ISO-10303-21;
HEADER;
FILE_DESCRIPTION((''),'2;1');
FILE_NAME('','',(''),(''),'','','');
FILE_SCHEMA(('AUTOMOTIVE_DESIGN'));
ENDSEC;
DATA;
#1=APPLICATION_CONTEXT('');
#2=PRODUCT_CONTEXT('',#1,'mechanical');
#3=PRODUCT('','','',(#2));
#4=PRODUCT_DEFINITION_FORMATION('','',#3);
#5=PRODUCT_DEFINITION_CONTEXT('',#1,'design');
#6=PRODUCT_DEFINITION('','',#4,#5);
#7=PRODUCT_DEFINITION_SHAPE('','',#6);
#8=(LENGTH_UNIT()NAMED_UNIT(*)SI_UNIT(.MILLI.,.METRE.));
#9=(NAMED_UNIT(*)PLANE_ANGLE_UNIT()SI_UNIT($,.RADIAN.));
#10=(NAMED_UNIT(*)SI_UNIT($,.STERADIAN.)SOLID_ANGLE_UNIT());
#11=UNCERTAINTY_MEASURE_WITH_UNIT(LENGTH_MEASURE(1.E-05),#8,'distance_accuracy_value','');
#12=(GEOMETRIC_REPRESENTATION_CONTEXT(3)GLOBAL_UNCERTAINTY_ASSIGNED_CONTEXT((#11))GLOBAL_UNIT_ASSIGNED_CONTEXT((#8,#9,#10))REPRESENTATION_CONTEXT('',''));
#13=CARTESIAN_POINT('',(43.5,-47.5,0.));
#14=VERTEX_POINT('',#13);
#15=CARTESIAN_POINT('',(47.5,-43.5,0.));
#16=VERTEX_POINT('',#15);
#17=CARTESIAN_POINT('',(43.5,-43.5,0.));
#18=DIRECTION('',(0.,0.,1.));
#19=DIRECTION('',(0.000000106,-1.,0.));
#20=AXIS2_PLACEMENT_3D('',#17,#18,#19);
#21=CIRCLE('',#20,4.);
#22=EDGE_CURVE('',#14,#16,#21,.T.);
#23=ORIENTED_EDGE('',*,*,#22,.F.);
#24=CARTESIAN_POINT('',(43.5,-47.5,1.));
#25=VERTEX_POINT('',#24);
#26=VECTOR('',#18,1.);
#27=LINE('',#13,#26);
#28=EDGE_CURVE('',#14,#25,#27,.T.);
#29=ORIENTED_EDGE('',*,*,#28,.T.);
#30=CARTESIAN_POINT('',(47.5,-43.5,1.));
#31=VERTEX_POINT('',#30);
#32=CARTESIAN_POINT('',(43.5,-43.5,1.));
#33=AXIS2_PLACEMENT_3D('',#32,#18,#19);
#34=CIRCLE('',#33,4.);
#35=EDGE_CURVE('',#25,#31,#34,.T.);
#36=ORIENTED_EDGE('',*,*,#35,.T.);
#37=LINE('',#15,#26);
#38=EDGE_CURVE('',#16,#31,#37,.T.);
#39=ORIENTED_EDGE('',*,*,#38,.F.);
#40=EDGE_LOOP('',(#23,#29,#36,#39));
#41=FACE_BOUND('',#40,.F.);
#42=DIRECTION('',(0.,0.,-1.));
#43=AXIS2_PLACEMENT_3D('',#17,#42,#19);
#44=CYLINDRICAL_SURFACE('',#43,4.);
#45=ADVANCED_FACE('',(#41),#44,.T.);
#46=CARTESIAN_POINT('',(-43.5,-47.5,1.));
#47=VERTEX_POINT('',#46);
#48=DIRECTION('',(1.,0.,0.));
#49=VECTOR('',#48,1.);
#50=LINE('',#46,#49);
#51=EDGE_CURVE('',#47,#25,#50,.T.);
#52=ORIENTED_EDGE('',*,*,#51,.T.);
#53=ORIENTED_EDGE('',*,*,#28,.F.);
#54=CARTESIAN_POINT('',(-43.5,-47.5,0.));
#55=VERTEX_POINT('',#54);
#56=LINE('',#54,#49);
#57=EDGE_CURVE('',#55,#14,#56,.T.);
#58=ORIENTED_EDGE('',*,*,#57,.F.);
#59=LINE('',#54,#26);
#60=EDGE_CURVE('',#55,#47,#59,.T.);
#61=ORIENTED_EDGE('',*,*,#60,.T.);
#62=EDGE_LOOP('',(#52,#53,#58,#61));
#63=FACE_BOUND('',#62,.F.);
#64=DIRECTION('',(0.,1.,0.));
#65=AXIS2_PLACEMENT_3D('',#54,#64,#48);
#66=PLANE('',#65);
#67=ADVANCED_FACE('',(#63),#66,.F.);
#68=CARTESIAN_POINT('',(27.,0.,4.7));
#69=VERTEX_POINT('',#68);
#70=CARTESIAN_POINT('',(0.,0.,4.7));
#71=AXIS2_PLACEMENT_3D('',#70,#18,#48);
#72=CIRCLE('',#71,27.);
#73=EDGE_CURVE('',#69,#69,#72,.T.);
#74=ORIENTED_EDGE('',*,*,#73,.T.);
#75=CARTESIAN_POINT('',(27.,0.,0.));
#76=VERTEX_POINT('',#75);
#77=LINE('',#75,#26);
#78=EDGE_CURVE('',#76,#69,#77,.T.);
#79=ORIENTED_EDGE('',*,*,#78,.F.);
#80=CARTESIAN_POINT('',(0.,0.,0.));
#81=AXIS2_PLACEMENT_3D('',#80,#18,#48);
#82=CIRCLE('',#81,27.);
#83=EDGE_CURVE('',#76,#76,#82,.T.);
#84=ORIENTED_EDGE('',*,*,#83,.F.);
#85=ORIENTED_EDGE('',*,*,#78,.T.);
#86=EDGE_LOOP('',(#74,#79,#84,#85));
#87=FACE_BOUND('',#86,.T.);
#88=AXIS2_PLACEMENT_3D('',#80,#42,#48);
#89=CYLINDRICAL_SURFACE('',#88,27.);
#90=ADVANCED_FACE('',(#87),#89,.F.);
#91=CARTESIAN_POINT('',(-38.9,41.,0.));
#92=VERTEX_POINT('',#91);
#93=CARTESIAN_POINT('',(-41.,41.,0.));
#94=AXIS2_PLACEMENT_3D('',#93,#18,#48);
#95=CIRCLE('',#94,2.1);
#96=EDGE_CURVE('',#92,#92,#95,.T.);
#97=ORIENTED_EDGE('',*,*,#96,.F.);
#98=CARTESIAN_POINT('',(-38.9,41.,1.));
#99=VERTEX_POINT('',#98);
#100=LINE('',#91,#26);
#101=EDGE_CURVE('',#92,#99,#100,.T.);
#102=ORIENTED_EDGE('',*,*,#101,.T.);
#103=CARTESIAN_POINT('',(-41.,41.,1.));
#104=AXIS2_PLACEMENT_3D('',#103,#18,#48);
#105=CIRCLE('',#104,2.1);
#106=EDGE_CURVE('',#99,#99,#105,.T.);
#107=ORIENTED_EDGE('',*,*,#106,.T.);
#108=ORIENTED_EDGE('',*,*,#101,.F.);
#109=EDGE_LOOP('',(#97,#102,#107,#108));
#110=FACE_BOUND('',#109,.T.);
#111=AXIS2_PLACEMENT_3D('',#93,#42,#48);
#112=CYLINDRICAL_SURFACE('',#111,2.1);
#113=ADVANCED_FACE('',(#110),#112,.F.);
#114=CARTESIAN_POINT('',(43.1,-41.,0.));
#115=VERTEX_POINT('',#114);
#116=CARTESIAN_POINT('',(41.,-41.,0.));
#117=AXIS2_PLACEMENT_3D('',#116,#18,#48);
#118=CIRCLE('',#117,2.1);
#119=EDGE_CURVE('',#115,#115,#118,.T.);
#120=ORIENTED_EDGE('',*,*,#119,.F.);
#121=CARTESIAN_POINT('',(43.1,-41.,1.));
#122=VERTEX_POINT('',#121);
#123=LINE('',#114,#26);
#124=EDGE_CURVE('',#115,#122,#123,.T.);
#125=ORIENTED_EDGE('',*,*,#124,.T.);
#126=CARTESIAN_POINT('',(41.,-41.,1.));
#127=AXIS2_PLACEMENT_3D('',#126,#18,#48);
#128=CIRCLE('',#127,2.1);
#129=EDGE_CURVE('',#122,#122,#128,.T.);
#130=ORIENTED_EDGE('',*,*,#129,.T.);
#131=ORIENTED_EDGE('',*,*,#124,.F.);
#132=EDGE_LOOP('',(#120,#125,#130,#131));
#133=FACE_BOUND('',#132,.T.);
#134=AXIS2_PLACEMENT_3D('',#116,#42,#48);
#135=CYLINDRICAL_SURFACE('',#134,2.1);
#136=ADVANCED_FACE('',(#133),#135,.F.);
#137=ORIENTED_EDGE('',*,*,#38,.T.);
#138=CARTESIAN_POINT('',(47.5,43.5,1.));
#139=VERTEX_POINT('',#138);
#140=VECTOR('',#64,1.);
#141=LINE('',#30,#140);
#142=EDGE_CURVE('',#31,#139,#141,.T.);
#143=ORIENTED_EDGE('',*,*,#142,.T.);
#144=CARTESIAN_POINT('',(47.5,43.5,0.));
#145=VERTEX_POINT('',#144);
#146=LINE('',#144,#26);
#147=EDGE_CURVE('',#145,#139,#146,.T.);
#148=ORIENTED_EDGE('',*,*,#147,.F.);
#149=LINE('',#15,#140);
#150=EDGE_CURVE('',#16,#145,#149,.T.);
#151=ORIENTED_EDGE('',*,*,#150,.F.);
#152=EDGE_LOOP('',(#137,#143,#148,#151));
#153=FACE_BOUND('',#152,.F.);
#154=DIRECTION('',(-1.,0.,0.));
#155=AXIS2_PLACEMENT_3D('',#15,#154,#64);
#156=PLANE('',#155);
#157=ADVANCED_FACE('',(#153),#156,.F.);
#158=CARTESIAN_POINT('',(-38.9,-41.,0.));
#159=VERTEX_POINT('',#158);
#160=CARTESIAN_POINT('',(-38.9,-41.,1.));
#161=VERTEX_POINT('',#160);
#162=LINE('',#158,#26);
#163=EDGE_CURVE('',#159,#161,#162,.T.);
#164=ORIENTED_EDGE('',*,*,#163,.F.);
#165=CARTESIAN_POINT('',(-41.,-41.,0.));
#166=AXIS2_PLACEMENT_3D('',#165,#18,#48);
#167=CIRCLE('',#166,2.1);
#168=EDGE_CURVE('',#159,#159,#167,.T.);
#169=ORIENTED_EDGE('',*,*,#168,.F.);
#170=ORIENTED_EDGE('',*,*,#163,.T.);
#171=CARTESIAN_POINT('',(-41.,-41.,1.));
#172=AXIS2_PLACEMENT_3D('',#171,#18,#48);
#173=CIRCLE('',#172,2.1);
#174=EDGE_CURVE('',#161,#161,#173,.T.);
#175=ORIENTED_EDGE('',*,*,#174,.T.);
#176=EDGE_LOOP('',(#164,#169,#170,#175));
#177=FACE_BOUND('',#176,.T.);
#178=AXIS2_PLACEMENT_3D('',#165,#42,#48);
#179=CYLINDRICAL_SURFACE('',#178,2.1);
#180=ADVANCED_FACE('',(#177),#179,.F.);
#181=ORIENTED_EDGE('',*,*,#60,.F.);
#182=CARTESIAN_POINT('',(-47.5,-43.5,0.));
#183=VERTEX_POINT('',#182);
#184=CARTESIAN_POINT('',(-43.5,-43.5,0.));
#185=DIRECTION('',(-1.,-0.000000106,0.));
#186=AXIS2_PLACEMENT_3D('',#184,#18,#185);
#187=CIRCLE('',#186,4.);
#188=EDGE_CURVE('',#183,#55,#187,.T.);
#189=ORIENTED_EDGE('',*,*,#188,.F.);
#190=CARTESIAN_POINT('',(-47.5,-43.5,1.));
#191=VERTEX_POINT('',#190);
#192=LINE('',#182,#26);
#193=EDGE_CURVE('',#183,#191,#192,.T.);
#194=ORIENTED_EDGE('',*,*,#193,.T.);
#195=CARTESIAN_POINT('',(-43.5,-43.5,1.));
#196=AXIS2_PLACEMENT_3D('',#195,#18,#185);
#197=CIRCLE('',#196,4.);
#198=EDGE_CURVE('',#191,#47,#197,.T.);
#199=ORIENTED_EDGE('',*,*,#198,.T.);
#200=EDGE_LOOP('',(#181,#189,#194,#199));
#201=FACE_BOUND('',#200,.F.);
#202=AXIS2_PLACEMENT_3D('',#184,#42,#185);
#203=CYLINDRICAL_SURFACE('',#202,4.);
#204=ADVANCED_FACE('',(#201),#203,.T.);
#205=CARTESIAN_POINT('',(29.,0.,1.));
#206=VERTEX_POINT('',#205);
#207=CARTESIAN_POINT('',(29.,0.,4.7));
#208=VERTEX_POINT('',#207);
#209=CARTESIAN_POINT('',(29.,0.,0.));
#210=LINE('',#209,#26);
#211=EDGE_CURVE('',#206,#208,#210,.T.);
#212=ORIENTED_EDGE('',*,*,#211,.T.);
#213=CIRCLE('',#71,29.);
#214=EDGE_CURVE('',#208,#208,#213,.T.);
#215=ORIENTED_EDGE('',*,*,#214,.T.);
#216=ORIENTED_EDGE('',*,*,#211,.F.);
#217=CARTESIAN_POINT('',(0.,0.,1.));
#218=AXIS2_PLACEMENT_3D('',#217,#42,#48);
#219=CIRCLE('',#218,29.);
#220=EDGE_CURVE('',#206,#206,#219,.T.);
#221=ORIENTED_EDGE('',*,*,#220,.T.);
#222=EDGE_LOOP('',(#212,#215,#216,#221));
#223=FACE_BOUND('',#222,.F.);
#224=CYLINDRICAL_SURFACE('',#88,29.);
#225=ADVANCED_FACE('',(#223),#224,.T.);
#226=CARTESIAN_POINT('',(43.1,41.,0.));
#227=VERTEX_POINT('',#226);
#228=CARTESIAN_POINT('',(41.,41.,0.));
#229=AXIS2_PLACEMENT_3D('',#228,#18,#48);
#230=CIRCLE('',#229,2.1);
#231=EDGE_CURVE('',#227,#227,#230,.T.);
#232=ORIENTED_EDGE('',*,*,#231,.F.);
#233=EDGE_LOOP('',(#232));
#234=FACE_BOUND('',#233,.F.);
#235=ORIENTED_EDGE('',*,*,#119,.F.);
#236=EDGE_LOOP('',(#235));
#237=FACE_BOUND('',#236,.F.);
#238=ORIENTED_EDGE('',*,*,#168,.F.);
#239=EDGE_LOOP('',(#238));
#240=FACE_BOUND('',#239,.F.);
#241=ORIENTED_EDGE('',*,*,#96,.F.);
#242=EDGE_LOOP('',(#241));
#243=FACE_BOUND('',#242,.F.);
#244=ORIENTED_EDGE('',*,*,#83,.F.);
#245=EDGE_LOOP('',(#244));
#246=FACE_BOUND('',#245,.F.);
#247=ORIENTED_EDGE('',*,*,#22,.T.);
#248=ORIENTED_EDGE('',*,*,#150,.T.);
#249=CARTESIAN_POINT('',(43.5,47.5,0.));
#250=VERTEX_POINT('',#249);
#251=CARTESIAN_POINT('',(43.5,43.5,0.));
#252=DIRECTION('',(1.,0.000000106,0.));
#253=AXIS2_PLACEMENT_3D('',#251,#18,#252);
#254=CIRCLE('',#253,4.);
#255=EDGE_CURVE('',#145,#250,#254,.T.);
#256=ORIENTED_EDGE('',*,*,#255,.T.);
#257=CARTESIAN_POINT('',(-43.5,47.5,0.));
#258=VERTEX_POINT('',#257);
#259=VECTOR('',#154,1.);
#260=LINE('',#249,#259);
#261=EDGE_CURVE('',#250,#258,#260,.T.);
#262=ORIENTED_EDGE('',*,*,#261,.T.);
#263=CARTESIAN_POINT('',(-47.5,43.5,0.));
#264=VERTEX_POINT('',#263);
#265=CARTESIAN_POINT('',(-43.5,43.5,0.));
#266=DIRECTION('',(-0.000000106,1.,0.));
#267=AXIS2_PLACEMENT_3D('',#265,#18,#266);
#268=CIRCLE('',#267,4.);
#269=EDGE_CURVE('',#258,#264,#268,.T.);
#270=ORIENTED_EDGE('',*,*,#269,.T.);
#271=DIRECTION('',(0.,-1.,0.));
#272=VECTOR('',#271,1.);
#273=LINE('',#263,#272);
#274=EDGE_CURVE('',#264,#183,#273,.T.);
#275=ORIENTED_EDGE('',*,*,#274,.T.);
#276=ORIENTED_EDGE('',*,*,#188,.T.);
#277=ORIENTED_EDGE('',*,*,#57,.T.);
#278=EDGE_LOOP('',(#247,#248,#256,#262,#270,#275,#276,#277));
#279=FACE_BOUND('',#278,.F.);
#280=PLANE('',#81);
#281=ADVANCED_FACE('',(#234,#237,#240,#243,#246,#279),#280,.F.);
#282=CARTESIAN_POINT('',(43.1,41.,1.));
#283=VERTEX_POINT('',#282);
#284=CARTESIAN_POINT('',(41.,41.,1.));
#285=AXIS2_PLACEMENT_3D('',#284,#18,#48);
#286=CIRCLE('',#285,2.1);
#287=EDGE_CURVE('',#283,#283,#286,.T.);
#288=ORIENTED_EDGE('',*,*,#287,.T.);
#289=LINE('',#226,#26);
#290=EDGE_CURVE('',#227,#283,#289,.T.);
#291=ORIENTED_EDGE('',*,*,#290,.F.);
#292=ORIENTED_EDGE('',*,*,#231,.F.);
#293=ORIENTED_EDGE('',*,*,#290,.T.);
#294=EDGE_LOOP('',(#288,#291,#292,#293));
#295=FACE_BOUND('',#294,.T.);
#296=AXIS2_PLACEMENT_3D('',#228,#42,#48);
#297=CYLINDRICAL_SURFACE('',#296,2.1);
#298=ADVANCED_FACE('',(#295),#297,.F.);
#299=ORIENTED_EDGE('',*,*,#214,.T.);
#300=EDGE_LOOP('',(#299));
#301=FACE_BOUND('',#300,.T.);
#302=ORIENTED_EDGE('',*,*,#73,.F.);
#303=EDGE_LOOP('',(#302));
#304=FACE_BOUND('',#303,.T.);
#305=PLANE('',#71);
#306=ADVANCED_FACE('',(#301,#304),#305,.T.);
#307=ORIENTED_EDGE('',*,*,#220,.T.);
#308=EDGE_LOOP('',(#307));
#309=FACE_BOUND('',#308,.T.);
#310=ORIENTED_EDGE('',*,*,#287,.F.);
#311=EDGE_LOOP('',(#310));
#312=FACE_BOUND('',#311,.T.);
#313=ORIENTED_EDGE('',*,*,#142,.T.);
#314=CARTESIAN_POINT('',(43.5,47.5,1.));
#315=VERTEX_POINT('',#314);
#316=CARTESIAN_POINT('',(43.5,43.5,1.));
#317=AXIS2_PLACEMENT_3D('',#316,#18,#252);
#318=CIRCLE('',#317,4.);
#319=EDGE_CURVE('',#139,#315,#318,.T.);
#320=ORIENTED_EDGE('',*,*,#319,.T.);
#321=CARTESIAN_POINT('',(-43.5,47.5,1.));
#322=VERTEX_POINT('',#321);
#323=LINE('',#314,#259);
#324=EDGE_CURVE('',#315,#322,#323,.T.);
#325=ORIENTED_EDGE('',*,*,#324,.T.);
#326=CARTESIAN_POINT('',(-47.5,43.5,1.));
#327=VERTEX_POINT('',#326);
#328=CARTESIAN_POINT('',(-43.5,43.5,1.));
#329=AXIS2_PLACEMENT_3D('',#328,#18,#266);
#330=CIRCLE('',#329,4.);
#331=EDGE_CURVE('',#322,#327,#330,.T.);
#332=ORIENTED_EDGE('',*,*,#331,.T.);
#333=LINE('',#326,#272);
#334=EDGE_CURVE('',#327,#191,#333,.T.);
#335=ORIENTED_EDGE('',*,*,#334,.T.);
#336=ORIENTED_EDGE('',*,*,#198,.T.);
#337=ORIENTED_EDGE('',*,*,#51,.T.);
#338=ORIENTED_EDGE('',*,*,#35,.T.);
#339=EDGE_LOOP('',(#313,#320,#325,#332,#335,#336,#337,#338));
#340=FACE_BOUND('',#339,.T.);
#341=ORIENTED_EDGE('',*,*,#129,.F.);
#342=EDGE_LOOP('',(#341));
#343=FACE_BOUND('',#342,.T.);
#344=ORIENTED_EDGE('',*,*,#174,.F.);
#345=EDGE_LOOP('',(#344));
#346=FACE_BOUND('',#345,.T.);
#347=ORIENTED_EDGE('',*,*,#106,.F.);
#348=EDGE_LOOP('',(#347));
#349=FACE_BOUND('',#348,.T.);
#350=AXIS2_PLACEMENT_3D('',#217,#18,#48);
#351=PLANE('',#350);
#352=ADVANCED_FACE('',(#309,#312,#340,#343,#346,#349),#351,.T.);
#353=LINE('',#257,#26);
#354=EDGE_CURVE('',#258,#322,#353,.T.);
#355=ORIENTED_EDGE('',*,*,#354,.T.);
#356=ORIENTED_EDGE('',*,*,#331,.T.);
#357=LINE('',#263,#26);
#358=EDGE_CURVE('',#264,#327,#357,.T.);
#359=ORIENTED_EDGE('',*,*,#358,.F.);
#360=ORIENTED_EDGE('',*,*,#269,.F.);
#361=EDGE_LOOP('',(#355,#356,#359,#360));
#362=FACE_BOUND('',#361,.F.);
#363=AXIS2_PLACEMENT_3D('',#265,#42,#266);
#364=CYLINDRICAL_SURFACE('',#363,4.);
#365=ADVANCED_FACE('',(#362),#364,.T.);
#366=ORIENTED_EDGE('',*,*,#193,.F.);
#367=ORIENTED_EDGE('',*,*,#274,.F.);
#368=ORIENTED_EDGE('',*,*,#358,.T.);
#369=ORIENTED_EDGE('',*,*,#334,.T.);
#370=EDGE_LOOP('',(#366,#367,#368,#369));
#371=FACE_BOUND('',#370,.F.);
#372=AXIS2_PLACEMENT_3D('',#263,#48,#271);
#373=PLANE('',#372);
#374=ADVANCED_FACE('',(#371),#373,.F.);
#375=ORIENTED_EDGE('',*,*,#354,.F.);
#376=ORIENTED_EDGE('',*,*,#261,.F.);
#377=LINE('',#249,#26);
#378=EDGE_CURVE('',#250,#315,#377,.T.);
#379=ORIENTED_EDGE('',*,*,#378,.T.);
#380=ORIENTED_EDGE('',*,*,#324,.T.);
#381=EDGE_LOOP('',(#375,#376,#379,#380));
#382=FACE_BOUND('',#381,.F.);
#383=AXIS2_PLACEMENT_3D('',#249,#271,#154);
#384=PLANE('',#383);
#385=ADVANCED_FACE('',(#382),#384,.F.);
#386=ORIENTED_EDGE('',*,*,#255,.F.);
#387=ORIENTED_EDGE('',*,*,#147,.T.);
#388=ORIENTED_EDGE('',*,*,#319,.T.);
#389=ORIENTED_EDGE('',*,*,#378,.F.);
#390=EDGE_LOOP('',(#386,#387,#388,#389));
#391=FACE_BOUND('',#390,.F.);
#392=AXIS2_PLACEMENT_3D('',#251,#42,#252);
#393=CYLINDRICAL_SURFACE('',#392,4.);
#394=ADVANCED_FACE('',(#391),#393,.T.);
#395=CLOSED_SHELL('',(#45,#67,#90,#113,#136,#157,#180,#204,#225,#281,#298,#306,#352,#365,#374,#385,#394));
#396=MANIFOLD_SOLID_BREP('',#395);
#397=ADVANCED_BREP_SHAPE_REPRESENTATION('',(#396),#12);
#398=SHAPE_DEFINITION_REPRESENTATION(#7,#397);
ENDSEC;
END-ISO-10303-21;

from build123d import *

# Parameters (mm, degrees)
F0_R     = 2.1
F0_R_2   = 29
F0_R_3   = 27
F1_DEPTH = 1
F2_DEPTH = 4.7


with BuildPart() as f1:
    # F0 (on Top) → F1 (new body)
    with BuildSketch(Plane.XY):
        with BuildLine():
            Line((-43.5, -47.5), (43.5, -47.5))
            ThreePointArc((43.5, -47.5), (46.328427, -46.328427), (47.5, -43.5))
            Line((47.5, -43.5), (47.5, 43.5))
            ThreePointArc((47.5, 43.5), (46.328427, 46.328427), (43.5, 47.5))
            Line((43.5, 47.5), (-43.5, 47.5))
            ThreePointArc((-43.5, 47.5), (-46.328427, 46.328427), (-47.5, 43.5))
            Line((-47.5, 43.5), (-47.5, -43.5))
            ThreePointArc((-47.5, -43.5), (-46.328427, -46.328427), (-43.5, -47.5))
        make_face()
        with Locations((-41, -41)):
            Circle(F0_R, mode=Mode.SUBTRACT)
        with Locations((41, -41)):
            Circle(F0_R, mode=Mode.SUBTRACT)
        with Locations((-41, 41)):
            Circle(F0_R, mode=Mode.SUBTRACT)
        Circle(F0_R_2, mode=Mode.SUBTRACT)
        with Locations((41, 41)):
            Circle(F0_R, mode=Mode.SUBTRACT)
        Circle(F0_R_2)
        Circle(F0_R_3, mode=Mode.SUBTRACT)
    extrude(amount=F1_DEPTH)

    # F0 (on Top) → F2 (join)
    with BuildSketch(Plane.XY):
        Circle(F0_R_2)
        Circle(F0_R_3, mode=Mode.SUBTRACT)
    extrude(amount=F2_DEPTH)


solid = f1.part
